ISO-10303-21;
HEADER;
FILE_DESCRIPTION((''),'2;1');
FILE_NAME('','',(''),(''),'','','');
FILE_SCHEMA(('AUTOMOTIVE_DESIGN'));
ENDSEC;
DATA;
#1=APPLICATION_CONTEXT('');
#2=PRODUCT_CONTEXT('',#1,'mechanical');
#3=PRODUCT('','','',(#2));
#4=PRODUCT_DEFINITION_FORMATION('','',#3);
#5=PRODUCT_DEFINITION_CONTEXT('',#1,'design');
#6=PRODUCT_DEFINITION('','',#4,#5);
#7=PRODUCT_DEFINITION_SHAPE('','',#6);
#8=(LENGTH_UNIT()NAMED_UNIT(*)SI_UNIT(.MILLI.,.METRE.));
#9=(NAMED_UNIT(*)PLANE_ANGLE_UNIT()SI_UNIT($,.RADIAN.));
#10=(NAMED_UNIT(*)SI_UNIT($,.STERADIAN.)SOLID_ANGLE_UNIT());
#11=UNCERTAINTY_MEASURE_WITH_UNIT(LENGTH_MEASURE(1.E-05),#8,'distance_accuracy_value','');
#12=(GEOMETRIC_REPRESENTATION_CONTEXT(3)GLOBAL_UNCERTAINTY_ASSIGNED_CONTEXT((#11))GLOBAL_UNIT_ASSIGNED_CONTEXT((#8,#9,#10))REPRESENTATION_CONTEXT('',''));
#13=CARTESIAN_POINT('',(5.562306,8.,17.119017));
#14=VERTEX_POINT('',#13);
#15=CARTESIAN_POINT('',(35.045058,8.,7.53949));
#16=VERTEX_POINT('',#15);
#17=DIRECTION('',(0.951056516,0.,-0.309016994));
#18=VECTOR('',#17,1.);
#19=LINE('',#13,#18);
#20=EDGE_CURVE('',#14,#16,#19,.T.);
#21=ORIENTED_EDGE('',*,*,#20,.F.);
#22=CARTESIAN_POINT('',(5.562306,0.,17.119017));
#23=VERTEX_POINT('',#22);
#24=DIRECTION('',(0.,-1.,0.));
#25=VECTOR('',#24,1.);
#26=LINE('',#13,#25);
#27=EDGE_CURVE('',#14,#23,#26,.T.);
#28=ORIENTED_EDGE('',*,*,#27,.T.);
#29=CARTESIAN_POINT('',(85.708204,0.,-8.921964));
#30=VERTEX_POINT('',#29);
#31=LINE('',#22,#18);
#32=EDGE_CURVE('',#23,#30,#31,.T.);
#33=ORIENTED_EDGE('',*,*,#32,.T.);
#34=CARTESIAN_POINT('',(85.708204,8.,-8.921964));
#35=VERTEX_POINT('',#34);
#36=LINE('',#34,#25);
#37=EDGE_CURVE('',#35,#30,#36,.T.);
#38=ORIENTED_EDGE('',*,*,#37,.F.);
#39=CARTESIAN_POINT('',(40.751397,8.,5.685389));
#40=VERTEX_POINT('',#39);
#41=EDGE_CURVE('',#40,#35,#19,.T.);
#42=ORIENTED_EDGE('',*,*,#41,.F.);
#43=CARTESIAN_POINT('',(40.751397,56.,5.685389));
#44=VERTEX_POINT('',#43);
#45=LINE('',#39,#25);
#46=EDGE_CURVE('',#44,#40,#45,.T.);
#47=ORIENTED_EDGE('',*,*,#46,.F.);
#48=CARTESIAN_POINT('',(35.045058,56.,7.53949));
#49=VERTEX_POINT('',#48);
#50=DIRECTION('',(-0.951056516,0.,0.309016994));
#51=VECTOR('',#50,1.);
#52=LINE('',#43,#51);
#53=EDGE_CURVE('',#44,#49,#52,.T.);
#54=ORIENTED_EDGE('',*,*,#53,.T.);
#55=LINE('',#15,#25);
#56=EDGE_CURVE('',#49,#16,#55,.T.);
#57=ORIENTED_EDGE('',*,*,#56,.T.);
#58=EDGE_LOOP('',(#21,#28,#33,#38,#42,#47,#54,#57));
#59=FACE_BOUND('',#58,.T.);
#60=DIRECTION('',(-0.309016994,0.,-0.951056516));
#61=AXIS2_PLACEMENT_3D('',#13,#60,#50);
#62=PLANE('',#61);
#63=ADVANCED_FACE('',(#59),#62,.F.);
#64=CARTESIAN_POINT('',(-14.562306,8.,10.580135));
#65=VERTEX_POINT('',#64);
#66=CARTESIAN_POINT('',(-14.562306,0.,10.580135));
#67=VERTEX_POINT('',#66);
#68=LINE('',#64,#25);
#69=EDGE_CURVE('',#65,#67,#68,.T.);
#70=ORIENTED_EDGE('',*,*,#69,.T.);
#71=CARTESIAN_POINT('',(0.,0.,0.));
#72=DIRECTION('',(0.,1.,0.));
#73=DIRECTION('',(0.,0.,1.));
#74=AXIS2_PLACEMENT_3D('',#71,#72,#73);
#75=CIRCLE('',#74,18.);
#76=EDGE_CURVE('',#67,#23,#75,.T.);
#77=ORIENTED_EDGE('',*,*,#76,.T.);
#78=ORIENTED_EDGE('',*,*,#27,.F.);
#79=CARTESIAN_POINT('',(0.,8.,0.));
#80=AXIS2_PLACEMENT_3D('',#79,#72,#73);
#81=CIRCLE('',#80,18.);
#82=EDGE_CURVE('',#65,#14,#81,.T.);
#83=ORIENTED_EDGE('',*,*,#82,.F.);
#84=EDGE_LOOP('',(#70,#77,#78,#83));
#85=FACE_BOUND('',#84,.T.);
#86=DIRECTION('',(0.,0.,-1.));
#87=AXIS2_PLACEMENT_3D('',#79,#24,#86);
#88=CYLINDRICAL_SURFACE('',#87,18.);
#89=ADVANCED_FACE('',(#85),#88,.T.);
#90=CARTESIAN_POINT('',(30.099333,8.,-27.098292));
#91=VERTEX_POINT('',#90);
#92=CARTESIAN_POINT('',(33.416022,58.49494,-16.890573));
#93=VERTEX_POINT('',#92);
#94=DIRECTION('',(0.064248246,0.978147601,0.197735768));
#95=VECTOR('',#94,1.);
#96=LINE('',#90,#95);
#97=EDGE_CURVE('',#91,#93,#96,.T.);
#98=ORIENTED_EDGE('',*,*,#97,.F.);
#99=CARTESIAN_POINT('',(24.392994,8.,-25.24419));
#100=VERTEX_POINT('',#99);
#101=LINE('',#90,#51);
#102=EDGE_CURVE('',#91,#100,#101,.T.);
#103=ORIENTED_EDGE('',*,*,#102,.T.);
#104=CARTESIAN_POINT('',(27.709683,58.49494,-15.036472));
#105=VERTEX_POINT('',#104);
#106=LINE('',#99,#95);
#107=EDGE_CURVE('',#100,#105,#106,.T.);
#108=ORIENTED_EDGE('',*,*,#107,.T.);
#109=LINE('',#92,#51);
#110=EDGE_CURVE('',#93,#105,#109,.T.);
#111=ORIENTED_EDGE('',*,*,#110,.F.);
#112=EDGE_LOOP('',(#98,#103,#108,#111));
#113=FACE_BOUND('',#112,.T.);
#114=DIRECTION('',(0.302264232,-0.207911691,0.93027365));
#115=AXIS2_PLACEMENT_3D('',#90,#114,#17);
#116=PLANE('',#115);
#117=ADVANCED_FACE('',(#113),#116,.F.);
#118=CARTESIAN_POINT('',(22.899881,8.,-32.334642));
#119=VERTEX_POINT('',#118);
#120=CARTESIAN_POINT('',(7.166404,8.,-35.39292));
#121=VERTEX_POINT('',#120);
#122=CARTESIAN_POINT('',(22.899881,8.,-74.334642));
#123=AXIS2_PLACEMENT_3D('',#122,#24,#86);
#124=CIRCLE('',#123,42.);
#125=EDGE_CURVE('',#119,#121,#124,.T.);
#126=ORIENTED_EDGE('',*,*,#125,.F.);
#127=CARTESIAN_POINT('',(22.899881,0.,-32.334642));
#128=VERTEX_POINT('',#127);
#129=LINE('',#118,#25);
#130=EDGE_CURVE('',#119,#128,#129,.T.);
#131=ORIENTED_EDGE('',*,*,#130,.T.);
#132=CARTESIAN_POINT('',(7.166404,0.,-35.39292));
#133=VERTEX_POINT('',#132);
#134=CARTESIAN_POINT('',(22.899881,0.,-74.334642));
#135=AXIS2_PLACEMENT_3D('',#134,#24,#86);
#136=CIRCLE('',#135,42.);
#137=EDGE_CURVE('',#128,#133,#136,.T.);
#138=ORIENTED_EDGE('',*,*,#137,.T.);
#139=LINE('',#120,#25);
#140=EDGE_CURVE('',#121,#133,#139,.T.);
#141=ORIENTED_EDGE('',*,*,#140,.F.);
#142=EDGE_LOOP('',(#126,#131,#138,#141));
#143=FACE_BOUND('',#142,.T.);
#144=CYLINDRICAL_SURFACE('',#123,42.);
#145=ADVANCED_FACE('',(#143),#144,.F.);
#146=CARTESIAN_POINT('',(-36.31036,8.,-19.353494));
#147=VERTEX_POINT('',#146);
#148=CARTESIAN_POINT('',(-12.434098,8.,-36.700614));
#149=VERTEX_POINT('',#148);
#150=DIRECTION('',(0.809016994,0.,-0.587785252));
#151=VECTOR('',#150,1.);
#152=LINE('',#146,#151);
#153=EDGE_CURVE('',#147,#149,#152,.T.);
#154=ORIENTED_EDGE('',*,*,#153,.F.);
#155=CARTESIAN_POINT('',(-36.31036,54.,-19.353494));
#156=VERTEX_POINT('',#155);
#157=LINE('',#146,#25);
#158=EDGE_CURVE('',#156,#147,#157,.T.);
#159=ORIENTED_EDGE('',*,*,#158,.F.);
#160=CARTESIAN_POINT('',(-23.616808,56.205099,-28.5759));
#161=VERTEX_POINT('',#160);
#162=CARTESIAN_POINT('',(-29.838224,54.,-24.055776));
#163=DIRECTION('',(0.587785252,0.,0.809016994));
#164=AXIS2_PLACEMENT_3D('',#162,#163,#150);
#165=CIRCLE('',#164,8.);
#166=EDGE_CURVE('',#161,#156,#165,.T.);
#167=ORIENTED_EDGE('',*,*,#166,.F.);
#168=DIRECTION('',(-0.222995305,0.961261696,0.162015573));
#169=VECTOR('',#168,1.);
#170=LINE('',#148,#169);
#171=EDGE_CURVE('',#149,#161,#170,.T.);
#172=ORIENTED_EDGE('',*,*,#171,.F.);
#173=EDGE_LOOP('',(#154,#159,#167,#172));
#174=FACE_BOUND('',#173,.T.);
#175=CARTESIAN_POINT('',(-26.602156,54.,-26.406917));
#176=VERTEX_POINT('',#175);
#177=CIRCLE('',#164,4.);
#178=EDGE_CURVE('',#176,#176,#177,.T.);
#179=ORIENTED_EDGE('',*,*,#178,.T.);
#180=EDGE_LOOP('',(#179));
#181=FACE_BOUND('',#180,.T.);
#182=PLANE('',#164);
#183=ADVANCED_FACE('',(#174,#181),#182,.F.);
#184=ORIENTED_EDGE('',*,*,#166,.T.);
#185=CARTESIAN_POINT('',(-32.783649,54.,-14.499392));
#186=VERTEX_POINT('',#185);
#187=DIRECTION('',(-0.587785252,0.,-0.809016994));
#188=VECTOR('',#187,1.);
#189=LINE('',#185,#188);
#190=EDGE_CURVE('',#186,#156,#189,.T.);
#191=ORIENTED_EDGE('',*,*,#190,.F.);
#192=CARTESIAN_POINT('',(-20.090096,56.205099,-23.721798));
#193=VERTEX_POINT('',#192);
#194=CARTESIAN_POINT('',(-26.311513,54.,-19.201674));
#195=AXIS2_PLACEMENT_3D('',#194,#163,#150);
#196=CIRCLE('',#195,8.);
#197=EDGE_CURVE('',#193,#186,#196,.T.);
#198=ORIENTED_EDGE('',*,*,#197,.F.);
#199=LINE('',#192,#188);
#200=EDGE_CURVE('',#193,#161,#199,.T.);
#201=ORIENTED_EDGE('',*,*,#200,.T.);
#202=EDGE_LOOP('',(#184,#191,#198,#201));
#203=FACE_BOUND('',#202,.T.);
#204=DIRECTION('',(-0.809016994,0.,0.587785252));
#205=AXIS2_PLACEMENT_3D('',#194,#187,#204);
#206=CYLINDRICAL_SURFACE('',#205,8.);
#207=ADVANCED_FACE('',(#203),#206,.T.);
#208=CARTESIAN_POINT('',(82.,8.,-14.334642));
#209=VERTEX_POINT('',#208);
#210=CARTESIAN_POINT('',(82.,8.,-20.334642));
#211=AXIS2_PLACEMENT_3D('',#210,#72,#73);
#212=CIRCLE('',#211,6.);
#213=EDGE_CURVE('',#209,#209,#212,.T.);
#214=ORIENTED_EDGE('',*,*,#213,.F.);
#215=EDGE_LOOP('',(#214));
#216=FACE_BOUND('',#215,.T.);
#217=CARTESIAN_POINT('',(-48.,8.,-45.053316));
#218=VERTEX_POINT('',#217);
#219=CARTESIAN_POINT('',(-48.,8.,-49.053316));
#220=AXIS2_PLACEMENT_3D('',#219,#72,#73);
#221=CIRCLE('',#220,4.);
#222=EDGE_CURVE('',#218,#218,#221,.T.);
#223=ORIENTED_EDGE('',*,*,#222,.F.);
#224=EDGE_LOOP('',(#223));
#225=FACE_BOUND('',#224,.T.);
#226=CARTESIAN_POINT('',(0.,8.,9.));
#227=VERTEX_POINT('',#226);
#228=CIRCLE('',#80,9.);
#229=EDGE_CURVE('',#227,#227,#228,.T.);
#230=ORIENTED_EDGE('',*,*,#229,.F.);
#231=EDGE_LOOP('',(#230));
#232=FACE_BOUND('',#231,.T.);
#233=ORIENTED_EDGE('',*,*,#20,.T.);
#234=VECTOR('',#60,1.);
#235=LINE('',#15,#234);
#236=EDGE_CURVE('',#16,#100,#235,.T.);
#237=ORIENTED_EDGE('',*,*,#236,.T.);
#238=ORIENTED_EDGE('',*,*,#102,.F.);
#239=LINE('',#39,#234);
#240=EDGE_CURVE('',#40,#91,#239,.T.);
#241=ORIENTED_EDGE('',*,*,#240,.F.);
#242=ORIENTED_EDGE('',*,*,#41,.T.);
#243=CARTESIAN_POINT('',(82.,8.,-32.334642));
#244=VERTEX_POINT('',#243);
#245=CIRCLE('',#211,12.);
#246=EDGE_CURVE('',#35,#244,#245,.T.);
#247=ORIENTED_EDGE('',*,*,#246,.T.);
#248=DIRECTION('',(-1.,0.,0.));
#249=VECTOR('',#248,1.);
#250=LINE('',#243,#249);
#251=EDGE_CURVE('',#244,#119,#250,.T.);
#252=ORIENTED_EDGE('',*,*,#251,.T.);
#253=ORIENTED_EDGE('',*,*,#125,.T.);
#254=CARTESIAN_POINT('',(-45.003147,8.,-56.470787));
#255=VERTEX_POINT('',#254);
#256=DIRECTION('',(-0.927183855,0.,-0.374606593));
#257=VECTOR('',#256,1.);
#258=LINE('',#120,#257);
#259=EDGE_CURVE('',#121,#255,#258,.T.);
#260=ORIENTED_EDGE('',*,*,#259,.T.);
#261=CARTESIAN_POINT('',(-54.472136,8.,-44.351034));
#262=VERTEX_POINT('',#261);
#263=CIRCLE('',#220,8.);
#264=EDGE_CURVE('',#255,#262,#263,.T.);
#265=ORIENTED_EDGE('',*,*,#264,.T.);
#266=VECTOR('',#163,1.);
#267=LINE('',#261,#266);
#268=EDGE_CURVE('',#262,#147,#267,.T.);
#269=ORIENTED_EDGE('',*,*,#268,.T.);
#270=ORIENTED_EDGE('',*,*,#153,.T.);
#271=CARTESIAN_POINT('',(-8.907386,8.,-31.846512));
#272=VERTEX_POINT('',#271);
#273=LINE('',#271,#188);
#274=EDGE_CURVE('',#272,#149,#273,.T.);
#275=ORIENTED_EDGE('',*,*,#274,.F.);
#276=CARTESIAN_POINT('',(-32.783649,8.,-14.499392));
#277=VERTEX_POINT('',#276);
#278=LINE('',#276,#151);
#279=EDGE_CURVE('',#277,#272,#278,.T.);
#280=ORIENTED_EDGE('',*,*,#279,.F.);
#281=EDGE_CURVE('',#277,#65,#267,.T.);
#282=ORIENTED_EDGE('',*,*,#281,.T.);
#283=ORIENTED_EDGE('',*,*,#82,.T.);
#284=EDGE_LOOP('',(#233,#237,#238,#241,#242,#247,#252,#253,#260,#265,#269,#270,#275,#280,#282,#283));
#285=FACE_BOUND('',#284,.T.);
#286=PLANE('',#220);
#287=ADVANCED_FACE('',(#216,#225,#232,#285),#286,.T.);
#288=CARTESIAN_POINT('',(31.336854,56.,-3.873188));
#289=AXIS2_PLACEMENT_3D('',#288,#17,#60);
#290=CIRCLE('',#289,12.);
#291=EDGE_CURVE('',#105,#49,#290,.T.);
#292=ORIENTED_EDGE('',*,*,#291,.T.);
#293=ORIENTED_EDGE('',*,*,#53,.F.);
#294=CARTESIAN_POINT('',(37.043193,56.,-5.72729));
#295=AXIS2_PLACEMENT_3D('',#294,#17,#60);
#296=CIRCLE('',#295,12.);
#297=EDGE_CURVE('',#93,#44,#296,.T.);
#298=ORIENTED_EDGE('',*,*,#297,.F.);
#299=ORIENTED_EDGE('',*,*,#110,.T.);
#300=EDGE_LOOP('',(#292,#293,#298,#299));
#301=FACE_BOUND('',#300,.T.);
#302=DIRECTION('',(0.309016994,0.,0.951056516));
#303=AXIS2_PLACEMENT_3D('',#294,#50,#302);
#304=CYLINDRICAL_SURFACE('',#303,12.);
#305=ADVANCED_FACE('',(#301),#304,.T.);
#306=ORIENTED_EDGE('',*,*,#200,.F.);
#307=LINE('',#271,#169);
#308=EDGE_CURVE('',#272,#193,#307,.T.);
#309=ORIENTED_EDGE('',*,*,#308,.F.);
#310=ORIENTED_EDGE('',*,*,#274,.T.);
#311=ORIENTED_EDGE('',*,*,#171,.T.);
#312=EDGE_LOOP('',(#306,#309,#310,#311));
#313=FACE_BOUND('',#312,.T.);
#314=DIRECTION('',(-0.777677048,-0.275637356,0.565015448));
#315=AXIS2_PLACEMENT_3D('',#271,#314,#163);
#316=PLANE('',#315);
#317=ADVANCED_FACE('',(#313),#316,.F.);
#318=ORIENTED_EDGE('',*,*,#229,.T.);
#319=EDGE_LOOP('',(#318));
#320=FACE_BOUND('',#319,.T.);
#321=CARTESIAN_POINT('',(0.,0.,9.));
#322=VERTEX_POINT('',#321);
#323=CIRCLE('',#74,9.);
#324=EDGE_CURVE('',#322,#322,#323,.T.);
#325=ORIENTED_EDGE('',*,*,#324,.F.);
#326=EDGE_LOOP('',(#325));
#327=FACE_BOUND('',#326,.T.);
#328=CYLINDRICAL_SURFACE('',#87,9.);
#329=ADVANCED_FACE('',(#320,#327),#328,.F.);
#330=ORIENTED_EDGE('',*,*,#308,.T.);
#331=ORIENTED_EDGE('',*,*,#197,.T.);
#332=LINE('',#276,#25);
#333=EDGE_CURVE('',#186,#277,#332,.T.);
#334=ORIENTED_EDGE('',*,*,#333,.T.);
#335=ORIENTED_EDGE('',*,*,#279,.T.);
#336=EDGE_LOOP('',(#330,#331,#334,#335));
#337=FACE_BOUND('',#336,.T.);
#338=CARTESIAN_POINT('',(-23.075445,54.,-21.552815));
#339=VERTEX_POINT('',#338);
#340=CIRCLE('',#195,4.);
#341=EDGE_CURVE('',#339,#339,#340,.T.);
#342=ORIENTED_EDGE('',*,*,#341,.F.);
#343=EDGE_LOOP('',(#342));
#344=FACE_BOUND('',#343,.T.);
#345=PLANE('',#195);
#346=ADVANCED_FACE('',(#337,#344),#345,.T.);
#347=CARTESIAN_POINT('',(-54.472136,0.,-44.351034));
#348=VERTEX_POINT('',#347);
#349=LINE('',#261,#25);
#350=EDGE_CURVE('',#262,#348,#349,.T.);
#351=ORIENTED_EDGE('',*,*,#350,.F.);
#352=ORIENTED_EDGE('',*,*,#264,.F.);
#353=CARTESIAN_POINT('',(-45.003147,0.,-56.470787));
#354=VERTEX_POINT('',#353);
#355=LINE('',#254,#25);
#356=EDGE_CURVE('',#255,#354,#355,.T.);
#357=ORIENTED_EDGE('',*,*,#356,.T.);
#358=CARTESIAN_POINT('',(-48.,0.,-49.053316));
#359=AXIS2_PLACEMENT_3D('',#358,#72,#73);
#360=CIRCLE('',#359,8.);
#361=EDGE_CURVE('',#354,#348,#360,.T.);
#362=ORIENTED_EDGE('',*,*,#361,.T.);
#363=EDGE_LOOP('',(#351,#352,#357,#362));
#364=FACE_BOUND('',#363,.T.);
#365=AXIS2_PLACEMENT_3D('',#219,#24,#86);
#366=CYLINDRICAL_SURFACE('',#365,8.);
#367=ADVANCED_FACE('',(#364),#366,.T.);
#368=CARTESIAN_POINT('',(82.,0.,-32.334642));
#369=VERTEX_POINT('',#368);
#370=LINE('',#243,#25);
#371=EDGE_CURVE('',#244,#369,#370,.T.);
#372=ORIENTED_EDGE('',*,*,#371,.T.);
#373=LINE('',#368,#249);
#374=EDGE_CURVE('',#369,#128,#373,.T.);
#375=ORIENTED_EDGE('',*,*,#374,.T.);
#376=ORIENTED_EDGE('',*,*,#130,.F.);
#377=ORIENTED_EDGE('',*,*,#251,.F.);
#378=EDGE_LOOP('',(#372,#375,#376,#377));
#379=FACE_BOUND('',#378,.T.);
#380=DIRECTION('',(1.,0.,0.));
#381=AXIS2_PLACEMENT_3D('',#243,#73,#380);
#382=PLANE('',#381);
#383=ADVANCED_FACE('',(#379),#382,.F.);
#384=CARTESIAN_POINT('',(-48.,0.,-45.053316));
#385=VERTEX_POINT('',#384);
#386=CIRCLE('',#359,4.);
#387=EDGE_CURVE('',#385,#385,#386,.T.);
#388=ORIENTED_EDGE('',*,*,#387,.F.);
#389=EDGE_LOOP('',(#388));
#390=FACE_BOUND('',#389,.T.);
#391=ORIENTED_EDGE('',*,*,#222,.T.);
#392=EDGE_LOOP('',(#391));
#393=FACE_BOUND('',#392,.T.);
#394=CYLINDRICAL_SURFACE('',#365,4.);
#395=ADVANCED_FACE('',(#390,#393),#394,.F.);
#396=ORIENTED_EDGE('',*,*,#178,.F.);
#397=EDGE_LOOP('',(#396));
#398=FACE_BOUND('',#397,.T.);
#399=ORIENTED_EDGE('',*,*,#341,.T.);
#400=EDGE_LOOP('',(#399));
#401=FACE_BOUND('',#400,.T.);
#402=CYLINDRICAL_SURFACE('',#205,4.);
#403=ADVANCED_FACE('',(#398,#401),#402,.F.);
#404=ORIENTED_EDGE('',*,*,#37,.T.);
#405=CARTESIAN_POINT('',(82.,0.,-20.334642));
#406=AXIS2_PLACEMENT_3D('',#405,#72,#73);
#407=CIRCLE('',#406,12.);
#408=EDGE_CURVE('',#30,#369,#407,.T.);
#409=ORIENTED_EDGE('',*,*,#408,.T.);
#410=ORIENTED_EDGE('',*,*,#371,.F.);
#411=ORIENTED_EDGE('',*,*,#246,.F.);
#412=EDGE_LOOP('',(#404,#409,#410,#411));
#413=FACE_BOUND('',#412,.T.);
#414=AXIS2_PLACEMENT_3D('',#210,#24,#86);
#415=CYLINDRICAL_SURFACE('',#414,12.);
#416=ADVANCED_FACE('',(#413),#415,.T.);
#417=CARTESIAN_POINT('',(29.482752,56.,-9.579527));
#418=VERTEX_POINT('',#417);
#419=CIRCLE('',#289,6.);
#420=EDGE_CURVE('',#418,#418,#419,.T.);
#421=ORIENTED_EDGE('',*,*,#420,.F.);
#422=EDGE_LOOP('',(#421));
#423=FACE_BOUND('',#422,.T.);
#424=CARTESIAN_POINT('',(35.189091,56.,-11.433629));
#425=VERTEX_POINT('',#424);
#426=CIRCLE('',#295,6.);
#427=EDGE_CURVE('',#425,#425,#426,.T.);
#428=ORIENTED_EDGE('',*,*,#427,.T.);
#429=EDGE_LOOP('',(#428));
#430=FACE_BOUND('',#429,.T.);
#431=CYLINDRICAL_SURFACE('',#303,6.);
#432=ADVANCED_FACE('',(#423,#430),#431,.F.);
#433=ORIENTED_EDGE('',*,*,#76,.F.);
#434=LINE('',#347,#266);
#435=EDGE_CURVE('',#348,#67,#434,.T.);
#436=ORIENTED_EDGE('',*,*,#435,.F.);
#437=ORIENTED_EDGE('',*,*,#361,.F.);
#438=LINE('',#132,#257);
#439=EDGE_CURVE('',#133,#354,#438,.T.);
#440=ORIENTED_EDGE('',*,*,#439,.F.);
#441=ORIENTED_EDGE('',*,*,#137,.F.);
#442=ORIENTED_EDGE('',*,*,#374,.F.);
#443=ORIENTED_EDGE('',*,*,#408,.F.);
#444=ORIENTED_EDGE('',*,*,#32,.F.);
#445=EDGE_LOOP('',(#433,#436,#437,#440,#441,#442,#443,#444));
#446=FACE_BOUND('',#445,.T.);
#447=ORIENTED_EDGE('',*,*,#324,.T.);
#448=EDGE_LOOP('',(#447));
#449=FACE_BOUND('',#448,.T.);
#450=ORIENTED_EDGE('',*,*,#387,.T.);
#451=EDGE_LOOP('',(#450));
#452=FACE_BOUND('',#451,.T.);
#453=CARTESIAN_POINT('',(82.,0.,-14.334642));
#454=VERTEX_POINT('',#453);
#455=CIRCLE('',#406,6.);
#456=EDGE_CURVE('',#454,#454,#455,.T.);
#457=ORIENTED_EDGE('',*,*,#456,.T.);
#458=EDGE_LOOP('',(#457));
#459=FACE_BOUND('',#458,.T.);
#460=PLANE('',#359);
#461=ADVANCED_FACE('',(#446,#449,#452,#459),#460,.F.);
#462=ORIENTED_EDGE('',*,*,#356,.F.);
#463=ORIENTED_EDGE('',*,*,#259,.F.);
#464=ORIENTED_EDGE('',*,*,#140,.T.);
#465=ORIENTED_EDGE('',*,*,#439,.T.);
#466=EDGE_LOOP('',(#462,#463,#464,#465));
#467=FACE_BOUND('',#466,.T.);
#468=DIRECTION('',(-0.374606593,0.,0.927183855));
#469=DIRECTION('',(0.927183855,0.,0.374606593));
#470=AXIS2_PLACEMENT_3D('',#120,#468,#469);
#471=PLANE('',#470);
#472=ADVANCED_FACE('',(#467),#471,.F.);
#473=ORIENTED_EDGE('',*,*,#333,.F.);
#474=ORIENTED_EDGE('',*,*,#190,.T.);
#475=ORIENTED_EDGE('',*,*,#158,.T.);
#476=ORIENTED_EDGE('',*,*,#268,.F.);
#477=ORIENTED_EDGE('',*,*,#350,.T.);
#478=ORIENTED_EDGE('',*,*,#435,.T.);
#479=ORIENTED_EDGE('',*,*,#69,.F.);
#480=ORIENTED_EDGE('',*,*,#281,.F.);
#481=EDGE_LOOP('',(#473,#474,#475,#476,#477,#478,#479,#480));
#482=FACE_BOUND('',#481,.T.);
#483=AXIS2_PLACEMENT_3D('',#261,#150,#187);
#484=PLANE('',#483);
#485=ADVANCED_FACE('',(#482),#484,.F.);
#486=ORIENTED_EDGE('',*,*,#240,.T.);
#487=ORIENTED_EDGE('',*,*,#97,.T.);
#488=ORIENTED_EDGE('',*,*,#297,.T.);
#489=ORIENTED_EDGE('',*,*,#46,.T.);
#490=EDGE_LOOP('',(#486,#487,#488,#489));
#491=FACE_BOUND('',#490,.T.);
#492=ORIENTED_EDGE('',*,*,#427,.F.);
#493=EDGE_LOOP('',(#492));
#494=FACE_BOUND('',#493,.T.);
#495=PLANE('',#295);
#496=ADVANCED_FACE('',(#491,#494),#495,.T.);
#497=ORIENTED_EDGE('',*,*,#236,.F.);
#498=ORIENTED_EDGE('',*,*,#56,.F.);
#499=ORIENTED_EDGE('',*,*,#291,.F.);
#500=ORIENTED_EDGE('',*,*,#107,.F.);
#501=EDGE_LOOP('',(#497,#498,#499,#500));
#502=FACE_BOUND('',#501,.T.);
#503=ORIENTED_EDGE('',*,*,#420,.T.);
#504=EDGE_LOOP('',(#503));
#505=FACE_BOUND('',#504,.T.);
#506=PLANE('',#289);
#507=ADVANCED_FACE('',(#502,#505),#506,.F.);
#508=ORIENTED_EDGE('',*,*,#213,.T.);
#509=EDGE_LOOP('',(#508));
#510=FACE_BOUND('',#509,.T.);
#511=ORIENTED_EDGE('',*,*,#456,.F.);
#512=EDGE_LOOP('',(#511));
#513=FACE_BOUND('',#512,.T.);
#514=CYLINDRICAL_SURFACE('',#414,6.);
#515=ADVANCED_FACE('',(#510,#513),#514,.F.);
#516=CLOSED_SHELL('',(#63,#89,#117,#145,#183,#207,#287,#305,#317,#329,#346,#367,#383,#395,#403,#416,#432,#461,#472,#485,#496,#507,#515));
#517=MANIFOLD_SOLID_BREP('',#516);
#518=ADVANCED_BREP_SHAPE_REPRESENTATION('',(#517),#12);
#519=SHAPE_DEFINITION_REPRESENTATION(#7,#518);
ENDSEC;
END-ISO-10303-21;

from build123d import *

# Parameters (mm, degrees)
SKETCH1_R           = 9
SKETCH1_R_2         = 6
SKETCH1_R_3         = 4
BOSS_EXTRUDE1_DEPTH = 8
SKETCH3_R           = 4
BOSS_EXTRUDE2_DEPTH = 3
SKETCH4_R           = 6
BOSS_EXTRUDE3_DEPTH = 3


with BuildPart() as part:
    # Sketch1 → Boss-Extrude1 (new body)
    with BuildSketch(Plane(origin=(0, 0, 0), x_dir=(1, 0, 0), z_dir=(0, 1, 0))):
        with BuildLine():
            Line((82, 32.334641746), (22.899881176, 32.334641746))
            ThreePointArc((22.899881176, 32.334641746), (14.88590337, 33.106300041), (7.166404253, 35.392919854))
            Line((7.166404253, 35.392919854), (-45.003147253, 56.470786852))
            ThreePointArc((-45.003147253, 56.470786852), (-54.304086029, 53.978607818), (-54.472135955, 44.351033997))
            Line((-54.472135955, 44.351033997), (-14.562305899, -10.580134541))
            ThreePointArc((-14.562305899, -10.580134541), (-5.562305899, -17.119017293), (5.562305899, -17.119017293))
            Line((5.562305899, -17.119017293), (85.708203932, 8.92196355))
            ThreePointArc((85.708203932, 8.92196355), (93.852260087, 22.211855326), (82, 32.334641746))
        make_face()
        Circle(SKETCH1_R, mode=Mode.SUBTRACT)
        with Locations((82, 20.334641746)):
            Circle(SKETCH1_R_2, mode=Mode.SUBTRACT)
        with Locations((-48, 49.053316016)):
            Circle(SKETCH1_R_3, mode=Mode.SUBTRACT)
    extrude(amount=BOSS_EXTRUDE1_DEPTH)

    # Sketch3 → Boss-Extrude2 (add, symmetric)
    with BuildSketch(Plane(origin=(-19.984698578, 0, -27.506577809), x_dir=(0.809016994, 0, -0.587785252), z_dir=(0.587785252, 0, 0.809016994))):
        with BuildLine():
            Line((-18, 8), (11.512683232, 8))
            Line((11.512683232, 8), (-2.309906432, 56.205098847))
            ThreePointArc((-2.309906432, 56.205098847), (-11.113384808, 61.92214455), (-18, 54))
            Line((-18, 54), (-18, 8))
        make_face()
        with Locations((-10, 54)):
            Circle(SKETCH3_R, mode=Mode.SUBTRACT)
    extrude(amount=BOSS_EXTRUDE2_DEPTH, both=True)

    # Sketch4 → Boss-Extrude3 (add, symmetric)
    with BuildSketch(Plane(origin=(32.335921554, 0, -10.506577809), x_dir=(-0.309016994, 0, -0.951056516), z_dir=(0.951056516, 0, -0.309016994))):
        with BuildLine():
            Line((-18, 8), (-18, 56))
            ThreePointArc((-18, 56), (-7.254341559, 67.934262744), (5.737771209, 58.49494029))
            Line((5.737771209, 58.49494029), (16.470802099, 8))
            Line((16.470802099, 8), (-18, 8))
        make_face()
        with Locations((-6, 56)):
            Circle(SKETCH4_R, mode=Mode.SUBTRACT)
    extrude(amount=BOSS_EXTRUDE3_DEPTH, both=True)


solid = part.part
